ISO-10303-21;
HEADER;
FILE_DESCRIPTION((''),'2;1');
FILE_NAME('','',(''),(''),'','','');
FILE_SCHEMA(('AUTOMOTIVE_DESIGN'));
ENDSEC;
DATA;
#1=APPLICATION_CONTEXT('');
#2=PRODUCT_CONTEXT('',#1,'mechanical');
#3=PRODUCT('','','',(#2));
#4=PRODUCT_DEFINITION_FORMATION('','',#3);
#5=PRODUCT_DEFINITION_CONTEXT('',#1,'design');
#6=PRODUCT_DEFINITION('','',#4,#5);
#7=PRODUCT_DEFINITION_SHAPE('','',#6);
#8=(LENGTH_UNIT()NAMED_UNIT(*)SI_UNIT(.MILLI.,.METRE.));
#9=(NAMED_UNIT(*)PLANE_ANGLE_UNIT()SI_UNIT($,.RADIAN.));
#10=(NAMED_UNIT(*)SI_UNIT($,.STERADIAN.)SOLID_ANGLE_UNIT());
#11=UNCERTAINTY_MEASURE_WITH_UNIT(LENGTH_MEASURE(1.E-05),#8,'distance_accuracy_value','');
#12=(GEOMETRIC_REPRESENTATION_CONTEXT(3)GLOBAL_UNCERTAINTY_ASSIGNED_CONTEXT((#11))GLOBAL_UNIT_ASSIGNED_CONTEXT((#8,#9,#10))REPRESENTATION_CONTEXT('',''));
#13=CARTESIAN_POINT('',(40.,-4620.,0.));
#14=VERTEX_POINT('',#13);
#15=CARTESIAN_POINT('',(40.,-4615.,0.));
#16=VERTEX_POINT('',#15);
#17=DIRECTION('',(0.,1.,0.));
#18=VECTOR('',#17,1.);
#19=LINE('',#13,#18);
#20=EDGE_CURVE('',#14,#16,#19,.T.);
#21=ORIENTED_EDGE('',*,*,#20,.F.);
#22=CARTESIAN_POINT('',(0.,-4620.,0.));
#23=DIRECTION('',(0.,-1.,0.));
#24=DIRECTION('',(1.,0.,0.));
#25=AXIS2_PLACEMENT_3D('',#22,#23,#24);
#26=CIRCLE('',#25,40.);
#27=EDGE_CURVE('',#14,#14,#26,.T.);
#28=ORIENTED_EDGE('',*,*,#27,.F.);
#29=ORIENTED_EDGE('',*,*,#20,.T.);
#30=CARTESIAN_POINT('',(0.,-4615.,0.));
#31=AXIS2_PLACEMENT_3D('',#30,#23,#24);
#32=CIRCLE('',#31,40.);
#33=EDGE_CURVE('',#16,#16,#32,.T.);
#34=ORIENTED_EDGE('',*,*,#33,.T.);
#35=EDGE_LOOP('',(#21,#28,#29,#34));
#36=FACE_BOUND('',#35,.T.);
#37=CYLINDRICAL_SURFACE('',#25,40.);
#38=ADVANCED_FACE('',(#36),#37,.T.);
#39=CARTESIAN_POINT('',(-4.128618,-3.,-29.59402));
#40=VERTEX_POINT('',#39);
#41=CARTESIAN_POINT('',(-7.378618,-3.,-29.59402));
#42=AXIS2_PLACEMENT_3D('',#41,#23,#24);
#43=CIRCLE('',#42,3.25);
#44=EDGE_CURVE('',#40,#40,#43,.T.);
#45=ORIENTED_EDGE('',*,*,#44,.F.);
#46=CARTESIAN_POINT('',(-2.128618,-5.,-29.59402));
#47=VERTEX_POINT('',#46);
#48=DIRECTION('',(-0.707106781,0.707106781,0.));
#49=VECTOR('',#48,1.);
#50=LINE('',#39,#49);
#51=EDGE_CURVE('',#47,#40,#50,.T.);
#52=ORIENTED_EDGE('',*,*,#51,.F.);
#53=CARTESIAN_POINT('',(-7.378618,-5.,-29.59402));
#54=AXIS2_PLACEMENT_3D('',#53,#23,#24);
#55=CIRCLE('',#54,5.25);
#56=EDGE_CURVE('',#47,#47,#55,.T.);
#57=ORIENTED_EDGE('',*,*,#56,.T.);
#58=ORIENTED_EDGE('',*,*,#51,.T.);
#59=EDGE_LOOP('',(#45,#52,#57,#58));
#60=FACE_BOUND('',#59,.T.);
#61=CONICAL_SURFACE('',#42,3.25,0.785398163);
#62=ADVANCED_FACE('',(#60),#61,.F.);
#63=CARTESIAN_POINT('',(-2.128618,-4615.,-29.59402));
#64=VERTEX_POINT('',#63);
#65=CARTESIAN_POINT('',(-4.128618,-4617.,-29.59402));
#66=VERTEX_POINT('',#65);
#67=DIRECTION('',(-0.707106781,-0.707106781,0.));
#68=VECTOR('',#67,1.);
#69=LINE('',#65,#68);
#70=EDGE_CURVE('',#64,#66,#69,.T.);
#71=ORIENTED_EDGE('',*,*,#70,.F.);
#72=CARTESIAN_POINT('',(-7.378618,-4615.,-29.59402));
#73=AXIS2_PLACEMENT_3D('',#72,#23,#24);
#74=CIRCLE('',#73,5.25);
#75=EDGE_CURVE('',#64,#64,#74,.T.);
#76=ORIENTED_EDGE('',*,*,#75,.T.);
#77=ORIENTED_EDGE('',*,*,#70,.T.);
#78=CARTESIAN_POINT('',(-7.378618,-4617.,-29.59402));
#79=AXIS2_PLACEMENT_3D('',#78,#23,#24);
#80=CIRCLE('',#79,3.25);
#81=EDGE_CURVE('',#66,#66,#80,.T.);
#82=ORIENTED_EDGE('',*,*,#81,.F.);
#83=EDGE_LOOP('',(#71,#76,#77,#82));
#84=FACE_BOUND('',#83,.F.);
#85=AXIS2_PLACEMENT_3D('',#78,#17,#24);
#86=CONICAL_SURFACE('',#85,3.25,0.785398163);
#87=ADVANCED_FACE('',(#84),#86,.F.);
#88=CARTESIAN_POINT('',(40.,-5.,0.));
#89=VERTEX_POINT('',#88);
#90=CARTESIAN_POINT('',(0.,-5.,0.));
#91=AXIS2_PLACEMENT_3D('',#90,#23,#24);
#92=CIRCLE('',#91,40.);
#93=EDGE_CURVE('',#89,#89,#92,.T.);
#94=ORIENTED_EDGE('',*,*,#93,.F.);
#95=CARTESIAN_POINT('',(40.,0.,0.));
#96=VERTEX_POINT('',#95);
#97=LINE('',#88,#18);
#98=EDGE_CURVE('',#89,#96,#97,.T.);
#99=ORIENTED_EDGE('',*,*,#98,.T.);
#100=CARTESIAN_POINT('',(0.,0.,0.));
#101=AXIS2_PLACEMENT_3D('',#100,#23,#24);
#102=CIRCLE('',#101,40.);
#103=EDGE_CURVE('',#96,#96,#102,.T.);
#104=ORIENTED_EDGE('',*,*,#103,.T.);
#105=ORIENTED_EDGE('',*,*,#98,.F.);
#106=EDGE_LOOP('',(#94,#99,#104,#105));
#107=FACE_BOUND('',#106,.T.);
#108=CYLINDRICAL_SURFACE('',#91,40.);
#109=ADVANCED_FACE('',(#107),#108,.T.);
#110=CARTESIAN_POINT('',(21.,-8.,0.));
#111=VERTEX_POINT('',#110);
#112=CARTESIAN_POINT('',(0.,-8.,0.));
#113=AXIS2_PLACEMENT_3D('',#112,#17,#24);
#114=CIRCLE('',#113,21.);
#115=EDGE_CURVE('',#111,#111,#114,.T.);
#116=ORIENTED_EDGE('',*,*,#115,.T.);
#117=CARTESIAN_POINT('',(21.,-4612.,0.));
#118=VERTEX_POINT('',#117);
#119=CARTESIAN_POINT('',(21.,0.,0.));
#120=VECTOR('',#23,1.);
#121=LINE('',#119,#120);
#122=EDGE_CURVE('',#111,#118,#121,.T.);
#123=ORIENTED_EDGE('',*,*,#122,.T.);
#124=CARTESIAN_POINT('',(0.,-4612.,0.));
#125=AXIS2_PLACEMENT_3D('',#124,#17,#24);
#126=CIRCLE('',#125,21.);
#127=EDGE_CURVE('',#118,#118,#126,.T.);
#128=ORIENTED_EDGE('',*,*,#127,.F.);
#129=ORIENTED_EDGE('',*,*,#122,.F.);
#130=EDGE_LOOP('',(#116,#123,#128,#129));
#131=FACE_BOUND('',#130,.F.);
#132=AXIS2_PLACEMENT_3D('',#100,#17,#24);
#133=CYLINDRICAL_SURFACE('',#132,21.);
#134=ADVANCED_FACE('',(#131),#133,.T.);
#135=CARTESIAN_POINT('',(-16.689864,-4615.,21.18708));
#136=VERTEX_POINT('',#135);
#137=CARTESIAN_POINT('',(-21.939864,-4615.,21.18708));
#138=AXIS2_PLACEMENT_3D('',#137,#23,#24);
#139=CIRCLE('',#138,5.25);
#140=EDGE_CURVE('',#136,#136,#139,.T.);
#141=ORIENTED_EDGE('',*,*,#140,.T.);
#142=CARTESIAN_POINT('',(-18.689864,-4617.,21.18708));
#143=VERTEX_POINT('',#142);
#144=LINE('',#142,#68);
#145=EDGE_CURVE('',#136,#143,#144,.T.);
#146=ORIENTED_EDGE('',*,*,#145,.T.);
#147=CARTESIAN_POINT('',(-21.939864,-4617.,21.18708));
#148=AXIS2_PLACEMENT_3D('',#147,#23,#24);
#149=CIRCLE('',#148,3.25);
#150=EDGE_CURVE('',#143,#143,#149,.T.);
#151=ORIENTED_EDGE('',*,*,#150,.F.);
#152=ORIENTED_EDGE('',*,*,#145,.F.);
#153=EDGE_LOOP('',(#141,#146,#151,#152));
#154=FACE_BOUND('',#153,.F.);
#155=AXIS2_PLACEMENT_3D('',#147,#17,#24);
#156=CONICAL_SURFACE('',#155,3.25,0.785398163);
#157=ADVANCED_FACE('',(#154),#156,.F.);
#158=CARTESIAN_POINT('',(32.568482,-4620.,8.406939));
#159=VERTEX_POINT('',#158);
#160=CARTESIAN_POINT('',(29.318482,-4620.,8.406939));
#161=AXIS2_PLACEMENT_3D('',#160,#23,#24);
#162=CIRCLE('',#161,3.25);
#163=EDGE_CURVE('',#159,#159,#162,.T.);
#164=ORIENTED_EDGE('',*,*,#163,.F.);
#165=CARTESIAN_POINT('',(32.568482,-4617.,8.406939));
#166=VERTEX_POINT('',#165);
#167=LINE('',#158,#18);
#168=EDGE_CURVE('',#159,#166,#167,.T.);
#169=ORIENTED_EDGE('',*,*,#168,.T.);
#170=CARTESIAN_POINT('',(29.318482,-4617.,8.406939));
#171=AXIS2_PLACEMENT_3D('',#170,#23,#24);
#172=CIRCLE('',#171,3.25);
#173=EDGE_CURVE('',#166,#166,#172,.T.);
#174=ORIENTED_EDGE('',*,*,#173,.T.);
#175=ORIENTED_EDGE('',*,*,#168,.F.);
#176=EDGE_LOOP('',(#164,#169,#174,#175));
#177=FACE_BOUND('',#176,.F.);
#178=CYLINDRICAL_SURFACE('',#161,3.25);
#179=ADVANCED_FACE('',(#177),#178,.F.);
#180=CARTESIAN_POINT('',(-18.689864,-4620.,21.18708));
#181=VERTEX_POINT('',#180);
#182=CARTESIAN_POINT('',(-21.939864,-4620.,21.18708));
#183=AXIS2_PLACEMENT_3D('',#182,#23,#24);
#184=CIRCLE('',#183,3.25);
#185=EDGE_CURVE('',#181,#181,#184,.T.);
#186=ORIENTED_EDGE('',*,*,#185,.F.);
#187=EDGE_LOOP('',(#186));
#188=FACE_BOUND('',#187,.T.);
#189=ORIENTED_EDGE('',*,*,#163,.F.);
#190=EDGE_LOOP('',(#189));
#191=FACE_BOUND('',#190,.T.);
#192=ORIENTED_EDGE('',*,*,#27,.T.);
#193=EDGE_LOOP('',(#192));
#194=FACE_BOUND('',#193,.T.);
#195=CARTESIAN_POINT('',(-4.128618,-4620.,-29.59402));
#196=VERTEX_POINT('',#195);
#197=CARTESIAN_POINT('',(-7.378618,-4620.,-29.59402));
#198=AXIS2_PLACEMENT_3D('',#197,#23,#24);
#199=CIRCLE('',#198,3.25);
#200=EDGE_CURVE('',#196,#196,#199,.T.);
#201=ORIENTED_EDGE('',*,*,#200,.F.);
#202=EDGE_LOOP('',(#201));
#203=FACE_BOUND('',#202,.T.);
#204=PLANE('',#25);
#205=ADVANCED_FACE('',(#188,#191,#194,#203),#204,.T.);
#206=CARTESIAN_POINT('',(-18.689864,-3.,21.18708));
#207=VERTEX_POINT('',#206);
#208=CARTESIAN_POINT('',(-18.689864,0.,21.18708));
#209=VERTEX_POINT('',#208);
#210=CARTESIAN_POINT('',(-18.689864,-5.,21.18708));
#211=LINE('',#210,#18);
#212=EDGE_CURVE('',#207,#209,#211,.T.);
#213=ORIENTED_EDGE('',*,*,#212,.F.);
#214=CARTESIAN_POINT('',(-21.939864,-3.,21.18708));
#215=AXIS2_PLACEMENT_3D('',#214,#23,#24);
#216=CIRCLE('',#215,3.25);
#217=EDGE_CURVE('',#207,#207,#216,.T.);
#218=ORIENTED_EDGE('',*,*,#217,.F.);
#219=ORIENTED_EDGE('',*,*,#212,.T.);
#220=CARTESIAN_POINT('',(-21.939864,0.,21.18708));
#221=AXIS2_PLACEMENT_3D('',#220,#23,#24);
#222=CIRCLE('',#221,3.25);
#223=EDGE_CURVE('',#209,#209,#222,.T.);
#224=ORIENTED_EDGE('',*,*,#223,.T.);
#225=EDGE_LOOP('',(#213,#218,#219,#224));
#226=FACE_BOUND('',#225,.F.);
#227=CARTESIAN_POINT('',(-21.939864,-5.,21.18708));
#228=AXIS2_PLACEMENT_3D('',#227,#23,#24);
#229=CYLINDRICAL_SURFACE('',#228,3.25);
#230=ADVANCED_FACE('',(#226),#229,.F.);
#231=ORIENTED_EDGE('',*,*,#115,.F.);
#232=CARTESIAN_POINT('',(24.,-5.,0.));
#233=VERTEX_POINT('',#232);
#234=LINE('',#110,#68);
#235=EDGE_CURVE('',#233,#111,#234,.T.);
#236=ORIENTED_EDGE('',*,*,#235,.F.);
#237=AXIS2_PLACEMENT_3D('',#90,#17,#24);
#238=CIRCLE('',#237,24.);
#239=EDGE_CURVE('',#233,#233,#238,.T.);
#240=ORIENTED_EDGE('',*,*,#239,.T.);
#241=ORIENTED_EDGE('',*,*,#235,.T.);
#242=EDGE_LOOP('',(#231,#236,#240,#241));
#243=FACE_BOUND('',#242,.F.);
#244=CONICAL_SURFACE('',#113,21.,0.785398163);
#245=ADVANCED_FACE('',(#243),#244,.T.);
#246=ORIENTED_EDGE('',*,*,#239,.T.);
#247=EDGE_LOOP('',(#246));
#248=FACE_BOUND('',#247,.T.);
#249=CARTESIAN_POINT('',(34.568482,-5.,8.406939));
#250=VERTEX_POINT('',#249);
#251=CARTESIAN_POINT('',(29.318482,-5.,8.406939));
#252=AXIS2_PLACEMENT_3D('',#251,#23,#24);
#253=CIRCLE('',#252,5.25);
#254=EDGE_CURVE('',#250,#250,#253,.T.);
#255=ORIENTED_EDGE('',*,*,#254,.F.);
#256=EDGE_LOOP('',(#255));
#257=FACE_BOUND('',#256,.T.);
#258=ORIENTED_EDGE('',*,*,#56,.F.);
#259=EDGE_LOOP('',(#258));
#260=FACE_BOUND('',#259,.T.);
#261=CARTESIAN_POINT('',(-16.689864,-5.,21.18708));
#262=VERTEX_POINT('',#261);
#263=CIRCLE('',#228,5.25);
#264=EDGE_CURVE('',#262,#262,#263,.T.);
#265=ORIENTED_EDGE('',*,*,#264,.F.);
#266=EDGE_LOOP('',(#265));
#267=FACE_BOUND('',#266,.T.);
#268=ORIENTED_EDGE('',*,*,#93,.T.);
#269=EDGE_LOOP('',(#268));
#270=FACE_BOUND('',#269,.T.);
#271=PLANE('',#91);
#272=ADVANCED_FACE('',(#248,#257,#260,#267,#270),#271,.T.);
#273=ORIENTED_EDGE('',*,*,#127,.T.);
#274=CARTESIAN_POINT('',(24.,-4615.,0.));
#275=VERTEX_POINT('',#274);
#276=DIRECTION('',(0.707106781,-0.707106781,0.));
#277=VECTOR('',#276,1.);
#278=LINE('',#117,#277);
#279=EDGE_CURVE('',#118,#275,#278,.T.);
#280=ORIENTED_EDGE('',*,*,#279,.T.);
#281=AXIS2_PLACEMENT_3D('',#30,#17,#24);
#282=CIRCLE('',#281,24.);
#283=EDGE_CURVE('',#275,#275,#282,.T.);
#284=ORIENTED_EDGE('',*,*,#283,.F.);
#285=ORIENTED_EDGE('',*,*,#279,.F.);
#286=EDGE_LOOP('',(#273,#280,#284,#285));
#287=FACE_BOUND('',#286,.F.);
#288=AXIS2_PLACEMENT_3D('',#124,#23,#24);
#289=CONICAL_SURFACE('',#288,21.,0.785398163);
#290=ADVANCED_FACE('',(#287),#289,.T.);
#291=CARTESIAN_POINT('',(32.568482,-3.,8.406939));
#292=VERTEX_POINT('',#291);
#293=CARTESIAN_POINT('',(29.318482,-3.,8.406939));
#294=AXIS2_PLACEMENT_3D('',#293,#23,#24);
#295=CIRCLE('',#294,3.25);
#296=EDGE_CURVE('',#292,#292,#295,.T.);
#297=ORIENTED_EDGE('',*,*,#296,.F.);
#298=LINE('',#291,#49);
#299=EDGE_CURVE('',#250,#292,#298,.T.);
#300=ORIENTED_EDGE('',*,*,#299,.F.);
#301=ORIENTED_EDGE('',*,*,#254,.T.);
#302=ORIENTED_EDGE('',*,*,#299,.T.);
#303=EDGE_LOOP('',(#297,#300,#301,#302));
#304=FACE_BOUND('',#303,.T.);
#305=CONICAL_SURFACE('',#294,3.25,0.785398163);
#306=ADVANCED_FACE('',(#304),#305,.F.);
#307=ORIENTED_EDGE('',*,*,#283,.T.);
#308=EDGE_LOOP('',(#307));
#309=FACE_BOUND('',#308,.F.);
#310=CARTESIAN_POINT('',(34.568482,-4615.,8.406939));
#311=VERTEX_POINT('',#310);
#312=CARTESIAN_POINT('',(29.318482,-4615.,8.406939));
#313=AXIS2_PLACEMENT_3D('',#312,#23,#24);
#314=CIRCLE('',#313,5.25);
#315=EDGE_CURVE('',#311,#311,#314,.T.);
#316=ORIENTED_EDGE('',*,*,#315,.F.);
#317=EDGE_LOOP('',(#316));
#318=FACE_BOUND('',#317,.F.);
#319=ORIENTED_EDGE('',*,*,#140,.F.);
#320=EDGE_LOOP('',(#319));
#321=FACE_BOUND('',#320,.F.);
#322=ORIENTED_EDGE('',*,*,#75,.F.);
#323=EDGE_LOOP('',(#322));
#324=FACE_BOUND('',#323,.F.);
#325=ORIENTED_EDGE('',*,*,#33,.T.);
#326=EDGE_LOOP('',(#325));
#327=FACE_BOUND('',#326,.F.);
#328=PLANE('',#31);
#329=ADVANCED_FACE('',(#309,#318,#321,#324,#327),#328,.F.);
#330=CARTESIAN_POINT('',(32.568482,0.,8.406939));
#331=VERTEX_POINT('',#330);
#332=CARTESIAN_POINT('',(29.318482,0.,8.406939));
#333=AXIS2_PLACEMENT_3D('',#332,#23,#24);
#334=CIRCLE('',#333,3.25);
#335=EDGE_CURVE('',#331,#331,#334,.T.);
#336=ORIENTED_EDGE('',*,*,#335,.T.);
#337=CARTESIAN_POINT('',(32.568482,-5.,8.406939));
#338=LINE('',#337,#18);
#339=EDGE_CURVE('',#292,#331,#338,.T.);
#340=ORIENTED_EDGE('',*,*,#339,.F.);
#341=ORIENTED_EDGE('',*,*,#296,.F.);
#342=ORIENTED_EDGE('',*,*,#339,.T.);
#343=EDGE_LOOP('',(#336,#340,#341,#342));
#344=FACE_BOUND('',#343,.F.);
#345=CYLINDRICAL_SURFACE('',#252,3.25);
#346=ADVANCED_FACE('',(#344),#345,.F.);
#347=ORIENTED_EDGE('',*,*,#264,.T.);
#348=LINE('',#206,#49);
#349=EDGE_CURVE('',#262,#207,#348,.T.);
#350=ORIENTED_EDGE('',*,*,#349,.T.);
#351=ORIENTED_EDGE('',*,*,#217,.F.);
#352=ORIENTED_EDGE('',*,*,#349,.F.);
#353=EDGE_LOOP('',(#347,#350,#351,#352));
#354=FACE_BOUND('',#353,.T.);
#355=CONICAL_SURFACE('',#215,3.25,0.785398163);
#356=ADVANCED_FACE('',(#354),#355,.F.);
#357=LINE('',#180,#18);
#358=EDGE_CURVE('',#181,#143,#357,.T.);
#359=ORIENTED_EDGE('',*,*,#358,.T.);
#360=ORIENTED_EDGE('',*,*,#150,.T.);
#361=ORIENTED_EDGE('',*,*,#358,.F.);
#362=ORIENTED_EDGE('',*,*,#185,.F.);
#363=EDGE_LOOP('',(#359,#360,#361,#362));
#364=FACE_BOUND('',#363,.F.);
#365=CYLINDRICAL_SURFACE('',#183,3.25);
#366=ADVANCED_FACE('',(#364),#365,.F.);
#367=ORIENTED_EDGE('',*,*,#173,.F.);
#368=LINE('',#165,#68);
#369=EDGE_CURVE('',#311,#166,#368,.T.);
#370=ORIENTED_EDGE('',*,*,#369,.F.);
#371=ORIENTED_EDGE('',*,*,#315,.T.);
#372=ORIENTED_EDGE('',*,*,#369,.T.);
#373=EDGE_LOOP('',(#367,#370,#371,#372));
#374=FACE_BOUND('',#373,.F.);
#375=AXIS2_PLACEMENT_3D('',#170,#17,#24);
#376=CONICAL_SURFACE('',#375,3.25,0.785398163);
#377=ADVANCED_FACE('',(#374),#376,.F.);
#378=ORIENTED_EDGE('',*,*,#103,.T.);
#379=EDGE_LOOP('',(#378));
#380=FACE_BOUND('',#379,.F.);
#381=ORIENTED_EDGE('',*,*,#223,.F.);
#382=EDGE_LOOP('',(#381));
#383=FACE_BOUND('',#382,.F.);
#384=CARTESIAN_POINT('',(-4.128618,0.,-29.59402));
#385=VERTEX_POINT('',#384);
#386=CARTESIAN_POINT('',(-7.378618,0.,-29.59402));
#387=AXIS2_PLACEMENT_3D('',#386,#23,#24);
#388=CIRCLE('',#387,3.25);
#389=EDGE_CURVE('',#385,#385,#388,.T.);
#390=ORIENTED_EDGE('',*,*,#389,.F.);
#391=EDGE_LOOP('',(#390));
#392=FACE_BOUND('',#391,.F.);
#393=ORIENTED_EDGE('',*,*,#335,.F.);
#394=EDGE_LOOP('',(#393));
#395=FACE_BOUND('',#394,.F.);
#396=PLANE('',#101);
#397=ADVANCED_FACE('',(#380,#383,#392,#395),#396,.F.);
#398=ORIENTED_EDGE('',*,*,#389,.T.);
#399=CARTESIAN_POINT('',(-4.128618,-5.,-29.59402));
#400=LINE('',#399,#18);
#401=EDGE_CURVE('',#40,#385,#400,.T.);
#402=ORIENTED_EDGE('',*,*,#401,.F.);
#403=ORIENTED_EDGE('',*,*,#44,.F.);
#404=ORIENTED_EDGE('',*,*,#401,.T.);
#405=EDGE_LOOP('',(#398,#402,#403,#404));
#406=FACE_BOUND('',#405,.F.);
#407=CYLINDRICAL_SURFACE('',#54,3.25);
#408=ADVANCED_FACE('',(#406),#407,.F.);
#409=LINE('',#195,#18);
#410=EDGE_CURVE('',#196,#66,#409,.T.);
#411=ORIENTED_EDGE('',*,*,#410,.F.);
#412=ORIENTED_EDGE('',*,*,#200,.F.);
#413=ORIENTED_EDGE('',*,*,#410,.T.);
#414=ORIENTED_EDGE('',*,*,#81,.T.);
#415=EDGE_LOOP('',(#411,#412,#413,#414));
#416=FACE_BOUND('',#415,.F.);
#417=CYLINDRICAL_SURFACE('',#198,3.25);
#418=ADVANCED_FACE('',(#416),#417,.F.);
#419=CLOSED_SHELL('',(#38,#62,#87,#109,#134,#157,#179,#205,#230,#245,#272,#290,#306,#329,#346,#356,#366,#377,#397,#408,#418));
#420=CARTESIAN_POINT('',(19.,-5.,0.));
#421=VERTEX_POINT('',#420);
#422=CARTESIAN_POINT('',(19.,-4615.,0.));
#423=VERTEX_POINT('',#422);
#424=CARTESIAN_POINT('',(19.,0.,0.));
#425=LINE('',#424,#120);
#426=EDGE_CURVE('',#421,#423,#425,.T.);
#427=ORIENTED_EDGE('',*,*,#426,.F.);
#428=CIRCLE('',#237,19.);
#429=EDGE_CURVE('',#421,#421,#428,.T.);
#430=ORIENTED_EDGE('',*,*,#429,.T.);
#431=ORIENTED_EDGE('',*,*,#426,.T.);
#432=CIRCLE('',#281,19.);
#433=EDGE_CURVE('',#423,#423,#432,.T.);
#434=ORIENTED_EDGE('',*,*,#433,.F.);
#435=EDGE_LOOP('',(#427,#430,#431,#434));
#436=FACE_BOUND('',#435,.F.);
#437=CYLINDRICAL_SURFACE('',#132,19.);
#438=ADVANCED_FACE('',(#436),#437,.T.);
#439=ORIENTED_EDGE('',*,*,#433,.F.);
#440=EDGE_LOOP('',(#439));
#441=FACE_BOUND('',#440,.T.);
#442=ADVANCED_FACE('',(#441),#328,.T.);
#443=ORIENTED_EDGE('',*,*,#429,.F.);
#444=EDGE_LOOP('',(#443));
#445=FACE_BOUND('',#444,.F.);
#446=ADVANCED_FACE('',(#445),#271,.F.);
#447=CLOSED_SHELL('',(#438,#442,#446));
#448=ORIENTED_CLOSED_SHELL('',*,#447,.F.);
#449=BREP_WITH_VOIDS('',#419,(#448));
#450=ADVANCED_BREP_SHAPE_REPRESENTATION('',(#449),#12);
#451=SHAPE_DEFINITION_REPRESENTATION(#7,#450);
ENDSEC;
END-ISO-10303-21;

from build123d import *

# Parameters (mm, degrees)
F2_R     = 21
F2_R_2   = 19
F3_DEPTH = 4620
F4_R     = 40
F4_R_2   = 3.25
F4_R_3   = 21
F4_R_4   = 19
F5_DEPTH = 5
F6_START = -4615
F6_DEPTH = 5
F7_SIZE  = 2
F8_SIZE  = 3


with BuildPart() as f3:
    # F2 (on Front) → F3 (new body)
    with BuildSketch(Plane.XZ):
        Circle(F2_R)
        Circle(F2_R_2, mode=Mode.SUBTRACT)
    extrude(amount=F3_DEPTH)

    # F4 (on face) → F5 (join)
    with BuildSketch(Plane.XZ.offset(4620)):
        Circle(F4_R)
        with Locations((-7.3786178158, -29.5940196514)):
            Circle(F4_R_2, mode=Mode.SUBTRACT)
        with Locations((-21.9398639103, 21.187080299)):
            Circle(F4_R_2, mode=Mode.SUBTRACT)
        Circle(F4_R_3, mode=Mode.SUBTRACT)
        with Locations((29.3184817261, 8.4069393524)):
            Circle(F4_R_2, mode=Mode.SUBTRACT)
        Circle(F4_R_3)
        Circle(F4_R_4, mode=Mode.SUBTRACT)
        Circle(F4_R_4)
    extrude(amount=-F5_DEPTH)

    # F4 (on face) → F6 (join)
    with BuildSketch(Plane.XZ.offset(4620).offset(F6_START)):
        Circle(F4_R)
        with Locations((-7.3786178158, -29.5940196514)):
            Circle(F4_R_2, mode=Mode.SUBTRACT)
        with Locations((-21.9398639103, 21.187080299)):
            Circle(F4_R_2, mode=Mode.SUBTRACT)
        with Locations((29.3184817261, 8.4069393524)):
            Circle(F4_R_2, mode=Mode.SUBTRACT)
    extrude(amount=-F6_DEPTH)

    # F7
    f7_edges = [f3.edges().sort_by_distance(p)[0] for p in [
        (26.068482, -4615, 8.406939),
        (-25.189864, -4615, 21.18708),
        (-10.628618, -4615, -29.59402),
        (-10.628618, -5, -29.59402),
        (26.068482, -5, 8.406939),
        (-25.189864, -5, 21.18708),
    ]]
    chamfer(f7_edges, length=F7_SIZE)

    # F8
    f8_edges = [f3.edges().sort_by_distance(p)[0] for p in [
        (-21, -5, 0),
        (-21, -4615, 0),
    ]]
    chamfer(f8_edges, length=F8_SIZE)


solid = f3.part
